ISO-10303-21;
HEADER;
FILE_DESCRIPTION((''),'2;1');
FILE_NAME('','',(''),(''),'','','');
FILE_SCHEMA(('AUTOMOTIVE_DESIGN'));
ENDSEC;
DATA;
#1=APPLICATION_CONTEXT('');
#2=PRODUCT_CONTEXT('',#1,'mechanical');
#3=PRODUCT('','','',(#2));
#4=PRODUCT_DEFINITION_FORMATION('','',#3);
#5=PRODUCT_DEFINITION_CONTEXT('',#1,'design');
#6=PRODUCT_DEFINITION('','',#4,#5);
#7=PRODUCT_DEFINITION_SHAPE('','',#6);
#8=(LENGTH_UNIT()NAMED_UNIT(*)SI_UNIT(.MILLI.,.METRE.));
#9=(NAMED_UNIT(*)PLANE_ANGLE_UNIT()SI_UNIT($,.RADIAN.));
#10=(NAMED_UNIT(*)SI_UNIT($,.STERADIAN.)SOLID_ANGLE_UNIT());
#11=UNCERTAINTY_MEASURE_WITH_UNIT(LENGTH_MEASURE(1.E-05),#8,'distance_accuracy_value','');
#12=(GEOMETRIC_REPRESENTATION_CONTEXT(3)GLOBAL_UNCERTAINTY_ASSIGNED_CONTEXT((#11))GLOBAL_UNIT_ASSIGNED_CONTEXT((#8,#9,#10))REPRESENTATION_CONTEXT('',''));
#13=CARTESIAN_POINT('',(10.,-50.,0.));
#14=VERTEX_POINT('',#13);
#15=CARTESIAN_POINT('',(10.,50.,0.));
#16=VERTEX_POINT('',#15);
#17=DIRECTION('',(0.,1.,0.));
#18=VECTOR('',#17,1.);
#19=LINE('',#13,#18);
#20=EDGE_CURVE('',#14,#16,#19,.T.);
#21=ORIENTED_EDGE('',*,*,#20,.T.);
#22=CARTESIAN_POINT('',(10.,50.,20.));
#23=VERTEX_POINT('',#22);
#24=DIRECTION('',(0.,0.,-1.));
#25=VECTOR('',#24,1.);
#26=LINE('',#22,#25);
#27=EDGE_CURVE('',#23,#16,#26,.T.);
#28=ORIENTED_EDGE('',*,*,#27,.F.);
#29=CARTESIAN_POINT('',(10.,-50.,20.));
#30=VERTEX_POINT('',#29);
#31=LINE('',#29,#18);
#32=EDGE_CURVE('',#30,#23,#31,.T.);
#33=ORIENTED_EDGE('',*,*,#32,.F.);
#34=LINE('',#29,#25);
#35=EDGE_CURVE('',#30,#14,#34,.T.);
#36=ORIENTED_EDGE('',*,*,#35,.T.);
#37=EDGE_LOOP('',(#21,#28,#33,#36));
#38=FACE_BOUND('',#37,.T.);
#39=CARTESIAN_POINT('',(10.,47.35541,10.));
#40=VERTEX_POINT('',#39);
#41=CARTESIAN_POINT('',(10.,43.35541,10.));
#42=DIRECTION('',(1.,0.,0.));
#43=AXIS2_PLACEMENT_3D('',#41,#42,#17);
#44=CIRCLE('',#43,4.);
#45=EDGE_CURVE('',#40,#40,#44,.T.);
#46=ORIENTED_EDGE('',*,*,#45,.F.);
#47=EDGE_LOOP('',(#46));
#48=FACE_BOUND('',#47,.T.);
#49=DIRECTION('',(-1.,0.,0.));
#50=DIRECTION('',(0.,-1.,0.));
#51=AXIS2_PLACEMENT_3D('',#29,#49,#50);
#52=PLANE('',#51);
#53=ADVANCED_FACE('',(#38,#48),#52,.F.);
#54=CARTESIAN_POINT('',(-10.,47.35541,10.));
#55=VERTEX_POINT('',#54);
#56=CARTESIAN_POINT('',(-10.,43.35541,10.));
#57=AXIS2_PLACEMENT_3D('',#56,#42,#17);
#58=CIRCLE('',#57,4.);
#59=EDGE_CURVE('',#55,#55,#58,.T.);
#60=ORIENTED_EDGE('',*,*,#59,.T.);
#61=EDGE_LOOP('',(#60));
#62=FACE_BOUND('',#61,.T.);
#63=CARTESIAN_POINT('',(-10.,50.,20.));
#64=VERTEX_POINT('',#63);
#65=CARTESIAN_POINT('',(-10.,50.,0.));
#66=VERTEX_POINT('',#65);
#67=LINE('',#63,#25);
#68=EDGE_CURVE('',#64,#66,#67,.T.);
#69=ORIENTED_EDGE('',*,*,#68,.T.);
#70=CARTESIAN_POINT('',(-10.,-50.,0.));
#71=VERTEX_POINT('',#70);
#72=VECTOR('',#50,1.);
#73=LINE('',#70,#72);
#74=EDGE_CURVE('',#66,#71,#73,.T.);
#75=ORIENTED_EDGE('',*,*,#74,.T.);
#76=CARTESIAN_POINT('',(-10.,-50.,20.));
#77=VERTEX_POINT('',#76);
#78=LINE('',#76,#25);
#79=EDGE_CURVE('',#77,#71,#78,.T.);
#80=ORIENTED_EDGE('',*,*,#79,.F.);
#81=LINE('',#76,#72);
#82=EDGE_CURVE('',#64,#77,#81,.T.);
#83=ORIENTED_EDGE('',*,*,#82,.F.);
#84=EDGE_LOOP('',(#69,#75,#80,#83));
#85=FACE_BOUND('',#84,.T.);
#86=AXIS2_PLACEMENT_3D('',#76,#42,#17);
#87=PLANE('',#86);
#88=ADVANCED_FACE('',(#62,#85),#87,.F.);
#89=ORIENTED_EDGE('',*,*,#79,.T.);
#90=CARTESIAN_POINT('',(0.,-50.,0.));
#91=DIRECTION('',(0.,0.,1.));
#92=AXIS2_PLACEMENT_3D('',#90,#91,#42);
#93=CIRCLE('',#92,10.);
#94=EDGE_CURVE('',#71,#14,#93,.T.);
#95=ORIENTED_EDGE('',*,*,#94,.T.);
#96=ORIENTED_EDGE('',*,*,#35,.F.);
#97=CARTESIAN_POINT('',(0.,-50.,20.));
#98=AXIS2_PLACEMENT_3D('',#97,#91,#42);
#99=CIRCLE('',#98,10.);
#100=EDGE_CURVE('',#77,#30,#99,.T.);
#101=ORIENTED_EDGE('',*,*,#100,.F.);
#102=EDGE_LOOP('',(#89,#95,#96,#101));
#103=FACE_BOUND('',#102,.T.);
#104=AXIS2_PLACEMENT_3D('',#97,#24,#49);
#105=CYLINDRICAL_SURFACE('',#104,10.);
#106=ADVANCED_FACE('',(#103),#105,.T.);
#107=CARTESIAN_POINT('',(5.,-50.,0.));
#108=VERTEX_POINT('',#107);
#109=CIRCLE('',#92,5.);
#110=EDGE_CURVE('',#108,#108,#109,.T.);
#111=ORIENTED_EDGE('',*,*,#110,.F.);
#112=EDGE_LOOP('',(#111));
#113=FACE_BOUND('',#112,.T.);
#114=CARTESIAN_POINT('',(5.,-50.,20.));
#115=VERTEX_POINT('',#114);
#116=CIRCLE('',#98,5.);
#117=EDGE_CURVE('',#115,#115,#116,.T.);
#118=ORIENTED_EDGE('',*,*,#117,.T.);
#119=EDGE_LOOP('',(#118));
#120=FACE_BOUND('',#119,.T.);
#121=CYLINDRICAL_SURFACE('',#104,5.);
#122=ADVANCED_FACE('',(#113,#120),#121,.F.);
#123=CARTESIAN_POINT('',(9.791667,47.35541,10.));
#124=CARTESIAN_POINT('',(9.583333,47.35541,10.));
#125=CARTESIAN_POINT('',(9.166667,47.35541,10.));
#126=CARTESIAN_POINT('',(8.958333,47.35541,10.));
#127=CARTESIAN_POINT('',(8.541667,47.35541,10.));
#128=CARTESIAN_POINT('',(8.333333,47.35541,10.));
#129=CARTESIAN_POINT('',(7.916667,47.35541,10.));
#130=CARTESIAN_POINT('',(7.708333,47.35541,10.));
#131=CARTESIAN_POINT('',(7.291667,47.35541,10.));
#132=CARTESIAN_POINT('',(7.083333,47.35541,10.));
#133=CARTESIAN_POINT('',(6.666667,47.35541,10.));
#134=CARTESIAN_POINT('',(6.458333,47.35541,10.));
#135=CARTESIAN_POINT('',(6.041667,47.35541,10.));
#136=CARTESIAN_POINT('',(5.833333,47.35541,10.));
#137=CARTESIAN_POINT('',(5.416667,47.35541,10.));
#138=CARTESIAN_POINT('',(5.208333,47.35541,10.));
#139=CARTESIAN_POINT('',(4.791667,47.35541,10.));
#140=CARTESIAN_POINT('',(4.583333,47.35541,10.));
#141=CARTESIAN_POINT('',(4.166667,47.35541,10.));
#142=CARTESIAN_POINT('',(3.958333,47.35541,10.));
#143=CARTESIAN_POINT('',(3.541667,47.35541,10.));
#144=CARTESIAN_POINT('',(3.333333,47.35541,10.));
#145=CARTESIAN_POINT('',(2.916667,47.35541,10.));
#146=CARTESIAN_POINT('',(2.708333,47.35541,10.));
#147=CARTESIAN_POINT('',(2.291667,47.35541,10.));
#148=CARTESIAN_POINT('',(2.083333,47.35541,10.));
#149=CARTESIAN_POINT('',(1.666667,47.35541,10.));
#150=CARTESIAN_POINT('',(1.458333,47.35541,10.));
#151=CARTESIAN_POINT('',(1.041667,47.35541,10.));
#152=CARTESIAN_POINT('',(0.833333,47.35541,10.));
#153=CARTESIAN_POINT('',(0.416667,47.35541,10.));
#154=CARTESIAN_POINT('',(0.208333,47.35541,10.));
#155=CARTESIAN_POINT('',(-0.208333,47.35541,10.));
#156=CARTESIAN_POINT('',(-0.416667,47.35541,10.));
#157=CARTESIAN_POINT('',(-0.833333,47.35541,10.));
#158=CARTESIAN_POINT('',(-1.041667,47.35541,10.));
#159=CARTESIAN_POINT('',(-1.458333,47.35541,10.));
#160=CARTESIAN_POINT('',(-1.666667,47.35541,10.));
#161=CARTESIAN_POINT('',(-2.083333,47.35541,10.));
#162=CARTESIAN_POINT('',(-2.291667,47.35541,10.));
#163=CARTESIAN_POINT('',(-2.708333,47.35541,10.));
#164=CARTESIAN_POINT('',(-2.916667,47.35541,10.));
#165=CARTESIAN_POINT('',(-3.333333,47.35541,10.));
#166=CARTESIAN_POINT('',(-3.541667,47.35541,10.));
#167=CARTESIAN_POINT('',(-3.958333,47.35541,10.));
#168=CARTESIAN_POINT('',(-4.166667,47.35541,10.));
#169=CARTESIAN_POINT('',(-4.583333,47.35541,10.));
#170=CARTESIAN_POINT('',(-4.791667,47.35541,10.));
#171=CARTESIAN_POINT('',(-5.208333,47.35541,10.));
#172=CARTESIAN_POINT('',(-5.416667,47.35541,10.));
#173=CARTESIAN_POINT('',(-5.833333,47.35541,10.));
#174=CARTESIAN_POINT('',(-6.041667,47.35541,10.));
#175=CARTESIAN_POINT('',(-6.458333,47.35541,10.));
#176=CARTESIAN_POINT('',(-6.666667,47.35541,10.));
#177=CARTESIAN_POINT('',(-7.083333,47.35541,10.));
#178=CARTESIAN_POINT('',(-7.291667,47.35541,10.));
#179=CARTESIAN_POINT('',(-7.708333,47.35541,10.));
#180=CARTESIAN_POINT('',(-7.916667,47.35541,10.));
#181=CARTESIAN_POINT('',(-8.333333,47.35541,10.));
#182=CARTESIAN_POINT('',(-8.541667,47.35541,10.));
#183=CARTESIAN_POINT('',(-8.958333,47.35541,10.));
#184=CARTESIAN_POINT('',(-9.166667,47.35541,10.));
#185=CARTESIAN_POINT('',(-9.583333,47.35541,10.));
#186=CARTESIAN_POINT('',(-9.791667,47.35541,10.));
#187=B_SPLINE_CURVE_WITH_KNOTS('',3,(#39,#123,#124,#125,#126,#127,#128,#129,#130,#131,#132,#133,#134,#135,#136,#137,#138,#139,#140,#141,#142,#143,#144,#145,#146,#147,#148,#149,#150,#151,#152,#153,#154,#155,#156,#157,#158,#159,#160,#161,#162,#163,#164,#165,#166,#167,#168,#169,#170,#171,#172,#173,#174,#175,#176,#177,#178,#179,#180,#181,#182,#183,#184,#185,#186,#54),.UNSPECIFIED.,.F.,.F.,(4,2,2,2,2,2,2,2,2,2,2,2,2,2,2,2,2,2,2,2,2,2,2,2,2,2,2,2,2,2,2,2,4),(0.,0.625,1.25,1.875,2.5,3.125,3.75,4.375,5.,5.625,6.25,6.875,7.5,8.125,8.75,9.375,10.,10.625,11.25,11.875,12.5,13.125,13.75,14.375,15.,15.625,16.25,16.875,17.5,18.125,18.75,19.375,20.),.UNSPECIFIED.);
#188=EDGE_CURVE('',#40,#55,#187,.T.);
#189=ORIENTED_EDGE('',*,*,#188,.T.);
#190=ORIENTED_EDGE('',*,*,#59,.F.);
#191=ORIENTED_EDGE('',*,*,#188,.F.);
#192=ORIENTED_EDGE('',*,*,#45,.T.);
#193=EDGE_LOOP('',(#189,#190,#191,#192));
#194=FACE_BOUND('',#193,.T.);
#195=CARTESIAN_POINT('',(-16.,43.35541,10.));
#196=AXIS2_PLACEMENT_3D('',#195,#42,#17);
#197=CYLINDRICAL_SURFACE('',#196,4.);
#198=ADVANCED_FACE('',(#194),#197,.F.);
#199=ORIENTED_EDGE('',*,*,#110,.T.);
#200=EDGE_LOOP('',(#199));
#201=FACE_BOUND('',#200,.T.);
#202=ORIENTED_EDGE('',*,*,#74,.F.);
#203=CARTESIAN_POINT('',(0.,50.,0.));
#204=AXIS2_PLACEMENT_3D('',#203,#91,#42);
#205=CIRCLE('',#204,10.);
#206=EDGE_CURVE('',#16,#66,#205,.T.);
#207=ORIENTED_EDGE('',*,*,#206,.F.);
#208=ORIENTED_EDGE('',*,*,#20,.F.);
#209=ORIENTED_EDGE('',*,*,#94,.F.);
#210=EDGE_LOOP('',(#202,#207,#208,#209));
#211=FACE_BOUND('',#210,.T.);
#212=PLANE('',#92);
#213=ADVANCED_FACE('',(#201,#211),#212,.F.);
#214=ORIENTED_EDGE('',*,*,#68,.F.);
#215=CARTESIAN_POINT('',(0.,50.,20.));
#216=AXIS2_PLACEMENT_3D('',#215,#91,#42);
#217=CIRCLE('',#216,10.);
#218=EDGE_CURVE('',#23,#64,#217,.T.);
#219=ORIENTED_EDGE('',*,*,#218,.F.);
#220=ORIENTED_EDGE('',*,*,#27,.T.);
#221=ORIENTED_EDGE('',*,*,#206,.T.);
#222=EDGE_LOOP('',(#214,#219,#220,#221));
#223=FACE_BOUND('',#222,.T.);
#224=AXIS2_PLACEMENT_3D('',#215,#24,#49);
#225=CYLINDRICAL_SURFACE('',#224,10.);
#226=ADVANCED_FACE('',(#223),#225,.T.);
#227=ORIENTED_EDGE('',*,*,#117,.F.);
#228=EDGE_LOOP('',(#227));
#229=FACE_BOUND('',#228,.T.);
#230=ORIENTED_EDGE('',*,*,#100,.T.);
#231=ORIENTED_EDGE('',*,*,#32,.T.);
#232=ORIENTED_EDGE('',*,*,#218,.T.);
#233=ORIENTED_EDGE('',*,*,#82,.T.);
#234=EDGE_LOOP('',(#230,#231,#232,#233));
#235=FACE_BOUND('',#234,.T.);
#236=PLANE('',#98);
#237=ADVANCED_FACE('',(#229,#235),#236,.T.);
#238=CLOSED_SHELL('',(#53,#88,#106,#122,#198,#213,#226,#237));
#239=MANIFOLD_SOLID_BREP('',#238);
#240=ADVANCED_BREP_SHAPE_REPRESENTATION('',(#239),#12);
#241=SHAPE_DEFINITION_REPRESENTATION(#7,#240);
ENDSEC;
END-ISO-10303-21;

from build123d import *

# Parameters (mm, degrees)
SKETCH2_R           = 5
BOSS_EXTRUDE1_DEPTH = 20
SKETCH4_R           = 4
CUT_EXTRUDE1_DEPTH  = 26


with BuildPart() as part:
    # Sketch2 → Boss-Extrude1 (new body)
    with BuildSketch(Plane.XY):
        with BuildLine():
            Line((-10, -50), (-10, 50))
            ThreePointArc((-10, 50), (0, 60), (10, 50))
            Line((10, 50), (10, -50))
            ThreePointArc((10, -50), (0, -60), (-10, -50))
        make_face()
        with Locations((0, -50)):
            Circle(SKETCH2_R, mode=Mode.SUBTRACT)
    extrude(amount=BOSS_EXTRUDE1_DEPTH)

    # Sketch4 → Cut-Extrude1 (cut)
    with BuildSketch(Plane(origin=(10, 0, 0), x_dir=(0, 0, -1), z_dir=(1, 0, 0))):
        with Locations(Location((-10, 43.355409554, 0), (0, 0, 90))):
            Circle(SKETCH4_R)
    extrude(amount=-CUT_EXTRUDE1_DEPTH, mode=Mode.SUBTRACT)


solid = part.part
